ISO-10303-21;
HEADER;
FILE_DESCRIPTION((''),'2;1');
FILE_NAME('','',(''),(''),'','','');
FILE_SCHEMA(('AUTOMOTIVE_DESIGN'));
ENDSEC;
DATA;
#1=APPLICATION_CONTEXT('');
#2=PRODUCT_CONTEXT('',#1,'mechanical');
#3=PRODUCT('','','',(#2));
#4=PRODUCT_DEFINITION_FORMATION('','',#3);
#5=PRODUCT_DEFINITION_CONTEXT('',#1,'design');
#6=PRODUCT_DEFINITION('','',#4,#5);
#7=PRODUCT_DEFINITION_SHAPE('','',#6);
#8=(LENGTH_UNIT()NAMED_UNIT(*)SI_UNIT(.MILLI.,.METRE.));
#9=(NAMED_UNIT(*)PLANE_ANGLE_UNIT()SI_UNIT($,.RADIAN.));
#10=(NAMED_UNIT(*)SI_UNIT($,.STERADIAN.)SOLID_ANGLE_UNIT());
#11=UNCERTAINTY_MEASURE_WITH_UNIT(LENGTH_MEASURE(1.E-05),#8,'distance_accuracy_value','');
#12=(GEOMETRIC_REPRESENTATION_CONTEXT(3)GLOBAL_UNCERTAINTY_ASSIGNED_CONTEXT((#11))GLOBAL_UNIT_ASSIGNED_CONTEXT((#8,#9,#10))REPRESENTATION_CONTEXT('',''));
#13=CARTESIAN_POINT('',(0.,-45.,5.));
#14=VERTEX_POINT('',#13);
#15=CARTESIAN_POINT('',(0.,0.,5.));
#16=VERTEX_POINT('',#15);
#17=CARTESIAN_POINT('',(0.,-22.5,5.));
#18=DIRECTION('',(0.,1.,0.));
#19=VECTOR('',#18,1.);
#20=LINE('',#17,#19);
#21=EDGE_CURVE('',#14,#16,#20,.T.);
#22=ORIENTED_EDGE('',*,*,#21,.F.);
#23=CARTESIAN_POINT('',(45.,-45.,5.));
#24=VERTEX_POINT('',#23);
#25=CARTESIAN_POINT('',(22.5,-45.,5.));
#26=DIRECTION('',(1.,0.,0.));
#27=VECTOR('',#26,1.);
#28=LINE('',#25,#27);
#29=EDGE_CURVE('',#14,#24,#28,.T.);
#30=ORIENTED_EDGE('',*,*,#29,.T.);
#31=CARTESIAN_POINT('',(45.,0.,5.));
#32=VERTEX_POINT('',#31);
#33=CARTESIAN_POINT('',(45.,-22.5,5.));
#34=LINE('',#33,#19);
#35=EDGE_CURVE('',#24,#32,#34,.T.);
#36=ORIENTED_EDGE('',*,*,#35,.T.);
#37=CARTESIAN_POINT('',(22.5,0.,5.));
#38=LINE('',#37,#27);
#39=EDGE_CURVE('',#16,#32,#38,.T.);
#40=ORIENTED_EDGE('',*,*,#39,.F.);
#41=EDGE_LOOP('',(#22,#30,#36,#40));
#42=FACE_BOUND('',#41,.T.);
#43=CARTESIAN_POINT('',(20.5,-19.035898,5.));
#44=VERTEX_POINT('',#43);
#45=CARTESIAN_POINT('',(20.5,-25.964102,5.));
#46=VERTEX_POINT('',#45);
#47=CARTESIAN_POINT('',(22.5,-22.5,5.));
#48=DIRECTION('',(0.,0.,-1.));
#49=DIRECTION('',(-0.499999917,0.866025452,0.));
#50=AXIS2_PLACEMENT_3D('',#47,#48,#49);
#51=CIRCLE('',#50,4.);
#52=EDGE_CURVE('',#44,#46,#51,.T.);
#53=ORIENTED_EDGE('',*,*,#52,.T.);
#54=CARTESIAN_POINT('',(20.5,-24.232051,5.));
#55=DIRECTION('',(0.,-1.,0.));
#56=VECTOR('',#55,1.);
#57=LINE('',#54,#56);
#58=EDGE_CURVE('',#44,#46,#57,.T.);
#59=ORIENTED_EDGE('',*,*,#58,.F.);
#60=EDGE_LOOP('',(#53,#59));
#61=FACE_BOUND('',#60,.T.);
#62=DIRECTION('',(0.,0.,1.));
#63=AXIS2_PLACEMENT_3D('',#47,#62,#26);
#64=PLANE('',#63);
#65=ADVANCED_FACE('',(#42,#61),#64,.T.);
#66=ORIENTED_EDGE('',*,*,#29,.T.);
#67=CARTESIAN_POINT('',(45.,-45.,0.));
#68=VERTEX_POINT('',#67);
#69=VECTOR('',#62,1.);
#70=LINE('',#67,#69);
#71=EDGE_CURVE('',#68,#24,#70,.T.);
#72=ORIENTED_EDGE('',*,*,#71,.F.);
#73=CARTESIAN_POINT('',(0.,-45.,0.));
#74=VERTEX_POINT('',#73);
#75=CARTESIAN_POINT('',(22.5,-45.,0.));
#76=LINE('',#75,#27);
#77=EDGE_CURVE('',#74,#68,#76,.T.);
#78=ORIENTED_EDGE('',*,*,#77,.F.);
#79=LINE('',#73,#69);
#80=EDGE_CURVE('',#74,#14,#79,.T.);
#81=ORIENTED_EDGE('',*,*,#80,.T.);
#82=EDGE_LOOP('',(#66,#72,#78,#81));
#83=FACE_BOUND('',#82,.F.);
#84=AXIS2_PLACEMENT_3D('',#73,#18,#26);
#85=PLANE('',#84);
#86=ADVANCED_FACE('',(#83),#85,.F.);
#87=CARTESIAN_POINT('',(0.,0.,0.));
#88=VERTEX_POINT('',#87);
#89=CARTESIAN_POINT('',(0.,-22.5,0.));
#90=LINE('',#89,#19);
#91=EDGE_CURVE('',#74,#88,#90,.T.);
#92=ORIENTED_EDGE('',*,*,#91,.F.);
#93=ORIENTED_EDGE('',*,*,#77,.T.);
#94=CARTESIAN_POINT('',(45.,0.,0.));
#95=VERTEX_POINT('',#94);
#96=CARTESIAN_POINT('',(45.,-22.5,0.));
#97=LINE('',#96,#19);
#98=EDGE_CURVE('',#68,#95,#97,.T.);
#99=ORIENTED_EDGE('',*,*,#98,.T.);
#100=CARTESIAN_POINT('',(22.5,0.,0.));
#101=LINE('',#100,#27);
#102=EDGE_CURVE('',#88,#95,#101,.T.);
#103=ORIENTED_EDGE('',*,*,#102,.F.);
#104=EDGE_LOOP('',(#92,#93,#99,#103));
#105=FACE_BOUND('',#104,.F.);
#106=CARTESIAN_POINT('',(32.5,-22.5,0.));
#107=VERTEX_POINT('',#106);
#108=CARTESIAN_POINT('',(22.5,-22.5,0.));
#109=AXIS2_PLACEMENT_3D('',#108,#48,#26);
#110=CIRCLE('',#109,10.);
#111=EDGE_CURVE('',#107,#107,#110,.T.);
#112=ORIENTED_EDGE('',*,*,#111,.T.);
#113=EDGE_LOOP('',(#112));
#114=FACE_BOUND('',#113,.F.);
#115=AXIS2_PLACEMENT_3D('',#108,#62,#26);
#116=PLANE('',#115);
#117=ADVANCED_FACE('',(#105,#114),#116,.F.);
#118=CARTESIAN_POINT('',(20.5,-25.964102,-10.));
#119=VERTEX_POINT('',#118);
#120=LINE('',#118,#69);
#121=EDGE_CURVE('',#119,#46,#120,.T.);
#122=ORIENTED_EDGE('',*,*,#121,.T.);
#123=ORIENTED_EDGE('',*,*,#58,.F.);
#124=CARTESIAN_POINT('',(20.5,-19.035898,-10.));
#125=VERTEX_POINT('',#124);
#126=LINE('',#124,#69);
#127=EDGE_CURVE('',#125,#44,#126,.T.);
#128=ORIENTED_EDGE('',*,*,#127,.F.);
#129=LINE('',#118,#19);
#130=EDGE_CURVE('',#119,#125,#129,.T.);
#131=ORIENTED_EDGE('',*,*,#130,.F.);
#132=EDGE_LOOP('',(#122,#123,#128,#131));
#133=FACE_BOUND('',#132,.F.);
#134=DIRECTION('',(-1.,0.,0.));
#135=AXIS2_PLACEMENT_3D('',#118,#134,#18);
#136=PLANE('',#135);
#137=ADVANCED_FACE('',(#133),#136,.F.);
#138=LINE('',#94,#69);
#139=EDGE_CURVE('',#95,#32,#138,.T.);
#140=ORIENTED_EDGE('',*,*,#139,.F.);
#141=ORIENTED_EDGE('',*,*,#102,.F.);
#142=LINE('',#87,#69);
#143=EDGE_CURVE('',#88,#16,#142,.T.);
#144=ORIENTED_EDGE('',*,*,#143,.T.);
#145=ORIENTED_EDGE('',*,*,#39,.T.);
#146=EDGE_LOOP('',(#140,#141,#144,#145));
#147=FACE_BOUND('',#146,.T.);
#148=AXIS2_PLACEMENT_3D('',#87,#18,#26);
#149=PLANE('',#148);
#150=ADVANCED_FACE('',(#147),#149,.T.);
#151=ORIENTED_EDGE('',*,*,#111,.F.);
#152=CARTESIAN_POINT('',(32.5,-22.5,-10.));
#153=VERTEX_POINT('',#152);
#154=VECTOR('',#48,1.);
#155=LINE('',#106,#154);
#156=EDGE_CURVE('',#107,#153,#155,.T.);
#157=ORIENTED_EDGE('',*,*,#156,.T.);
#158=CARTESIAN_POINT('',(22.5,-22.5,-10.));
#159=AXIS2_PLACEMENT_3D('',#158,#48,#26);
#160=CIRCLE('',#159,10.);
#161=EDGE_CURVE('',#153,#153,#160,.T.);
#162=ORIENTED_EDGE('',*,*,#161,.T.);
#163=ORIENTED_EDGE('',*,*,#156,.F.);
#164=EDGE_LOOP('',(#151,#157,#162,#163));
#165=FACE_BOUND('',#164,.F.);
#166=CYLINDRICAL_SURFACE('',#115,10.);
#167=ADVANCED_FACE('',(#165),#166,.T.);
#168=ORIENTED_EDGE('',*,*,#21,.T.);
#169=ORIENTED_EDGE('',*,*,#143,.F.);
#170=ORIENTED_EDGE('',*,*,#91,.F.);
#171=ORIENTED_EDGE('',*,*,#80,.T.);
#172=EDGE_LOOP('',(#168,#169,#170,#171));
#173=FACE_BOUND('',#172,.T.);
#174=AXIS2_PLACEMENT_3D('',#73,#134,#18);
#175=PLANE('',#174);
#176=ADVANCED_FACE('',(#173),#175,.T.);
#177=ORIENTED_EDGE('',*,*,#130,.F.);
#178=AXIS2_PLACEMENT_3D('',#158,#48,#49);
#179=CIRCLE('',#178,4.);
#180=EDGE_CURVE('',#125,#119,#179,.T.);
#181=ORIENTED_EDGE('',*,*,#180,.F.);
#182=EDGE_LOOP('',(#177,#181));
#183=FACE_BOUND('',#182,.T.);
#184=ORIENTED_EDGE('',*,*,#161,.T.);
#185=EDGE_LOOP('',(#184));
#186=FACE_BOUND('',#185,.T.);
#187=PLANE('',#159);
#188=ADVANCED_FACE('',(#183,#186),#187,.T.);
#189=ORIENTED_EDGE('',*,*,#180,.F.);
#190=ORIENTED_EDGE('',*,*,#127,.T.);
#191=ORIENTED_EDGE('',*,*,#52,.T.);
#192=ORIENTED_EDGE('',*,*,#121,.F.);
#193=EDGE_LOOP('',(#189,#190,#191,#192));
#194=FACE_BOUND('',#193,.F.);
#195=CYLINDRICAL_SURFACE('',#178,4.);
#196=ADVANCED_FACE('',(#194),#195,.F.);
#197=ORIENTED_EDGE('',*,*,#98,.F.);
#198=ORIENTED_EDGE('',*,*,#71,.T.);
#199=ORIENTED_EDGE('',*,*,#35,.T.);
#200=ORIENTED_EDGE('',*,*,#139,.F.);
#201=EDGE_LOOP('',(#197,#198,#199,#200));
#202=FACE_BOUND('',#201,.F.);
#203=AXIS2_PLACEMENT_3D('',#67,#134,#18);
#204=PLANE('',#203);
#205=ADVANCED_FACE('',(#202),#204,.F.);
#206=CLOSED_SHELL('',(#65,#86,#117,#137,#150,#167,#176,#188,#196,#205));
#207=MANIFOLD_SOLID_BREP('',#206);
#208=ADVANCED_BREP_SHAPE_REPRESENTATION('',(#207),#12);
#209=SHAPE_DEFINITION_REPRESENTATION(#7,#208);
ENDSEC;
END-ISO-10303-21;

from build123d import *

# Parameters (mm, degrees)
EXTRUDE002_DEPTH = 20
SKETCH003_R      = 10
EXTRUDE_DEPTH    = 10
SKETCH_W         = 45
SKETCH_H         = 45
PAD_DEPTH        = 5


with BuildPart() as extrude002:
    # Sketch008 (on Face1 of CopyExtrude) → Extrude002 (new body)
    with BuildSketch(Plane(origin=(0, 0, -10), x_dir=(1, 0, 0), z_dir=(0, 0, -1))):
        with BuildLine():
            ThreePointArc((20.5, 19.035898), (26.5, 22.5), (20.5, 25.964102))
            Line((20.5, 25.964102), (20.5, 19.035898))
        make_face()
    extrude(amount=-EXTRUDE002_DEPTH)


with BuildPart() as valec:
    # Sketch003 → Extrude (new body)
    with BuildSketch(Plane(origin=(0, 0, 0), x_dir=(1, 0, 0), z_dir=(0, 0, -1))):
        with Locations((22.5, 22.5)):
            Circle(SKETCH003_R)
    extrude(amount=EXTRUDE_DEPTH)


with BuildPart() as koncovkaalprofilu:
    # Sketch → Pad (new body)
    with BuildSketch(Plane.XY):
        with Locations((22.5, -22.5)):
            Rectangle(SKETCH_W, SKETCH_H)
    extrude(amount=PAD_DEPTH)

    # Fusion: union Valec
    add(valec.part)

    # Cut: cut Extrude002
    add(extrude002.part, mode=Mode.SUBTRACT)


solid = koncovkaalprofilu.part
